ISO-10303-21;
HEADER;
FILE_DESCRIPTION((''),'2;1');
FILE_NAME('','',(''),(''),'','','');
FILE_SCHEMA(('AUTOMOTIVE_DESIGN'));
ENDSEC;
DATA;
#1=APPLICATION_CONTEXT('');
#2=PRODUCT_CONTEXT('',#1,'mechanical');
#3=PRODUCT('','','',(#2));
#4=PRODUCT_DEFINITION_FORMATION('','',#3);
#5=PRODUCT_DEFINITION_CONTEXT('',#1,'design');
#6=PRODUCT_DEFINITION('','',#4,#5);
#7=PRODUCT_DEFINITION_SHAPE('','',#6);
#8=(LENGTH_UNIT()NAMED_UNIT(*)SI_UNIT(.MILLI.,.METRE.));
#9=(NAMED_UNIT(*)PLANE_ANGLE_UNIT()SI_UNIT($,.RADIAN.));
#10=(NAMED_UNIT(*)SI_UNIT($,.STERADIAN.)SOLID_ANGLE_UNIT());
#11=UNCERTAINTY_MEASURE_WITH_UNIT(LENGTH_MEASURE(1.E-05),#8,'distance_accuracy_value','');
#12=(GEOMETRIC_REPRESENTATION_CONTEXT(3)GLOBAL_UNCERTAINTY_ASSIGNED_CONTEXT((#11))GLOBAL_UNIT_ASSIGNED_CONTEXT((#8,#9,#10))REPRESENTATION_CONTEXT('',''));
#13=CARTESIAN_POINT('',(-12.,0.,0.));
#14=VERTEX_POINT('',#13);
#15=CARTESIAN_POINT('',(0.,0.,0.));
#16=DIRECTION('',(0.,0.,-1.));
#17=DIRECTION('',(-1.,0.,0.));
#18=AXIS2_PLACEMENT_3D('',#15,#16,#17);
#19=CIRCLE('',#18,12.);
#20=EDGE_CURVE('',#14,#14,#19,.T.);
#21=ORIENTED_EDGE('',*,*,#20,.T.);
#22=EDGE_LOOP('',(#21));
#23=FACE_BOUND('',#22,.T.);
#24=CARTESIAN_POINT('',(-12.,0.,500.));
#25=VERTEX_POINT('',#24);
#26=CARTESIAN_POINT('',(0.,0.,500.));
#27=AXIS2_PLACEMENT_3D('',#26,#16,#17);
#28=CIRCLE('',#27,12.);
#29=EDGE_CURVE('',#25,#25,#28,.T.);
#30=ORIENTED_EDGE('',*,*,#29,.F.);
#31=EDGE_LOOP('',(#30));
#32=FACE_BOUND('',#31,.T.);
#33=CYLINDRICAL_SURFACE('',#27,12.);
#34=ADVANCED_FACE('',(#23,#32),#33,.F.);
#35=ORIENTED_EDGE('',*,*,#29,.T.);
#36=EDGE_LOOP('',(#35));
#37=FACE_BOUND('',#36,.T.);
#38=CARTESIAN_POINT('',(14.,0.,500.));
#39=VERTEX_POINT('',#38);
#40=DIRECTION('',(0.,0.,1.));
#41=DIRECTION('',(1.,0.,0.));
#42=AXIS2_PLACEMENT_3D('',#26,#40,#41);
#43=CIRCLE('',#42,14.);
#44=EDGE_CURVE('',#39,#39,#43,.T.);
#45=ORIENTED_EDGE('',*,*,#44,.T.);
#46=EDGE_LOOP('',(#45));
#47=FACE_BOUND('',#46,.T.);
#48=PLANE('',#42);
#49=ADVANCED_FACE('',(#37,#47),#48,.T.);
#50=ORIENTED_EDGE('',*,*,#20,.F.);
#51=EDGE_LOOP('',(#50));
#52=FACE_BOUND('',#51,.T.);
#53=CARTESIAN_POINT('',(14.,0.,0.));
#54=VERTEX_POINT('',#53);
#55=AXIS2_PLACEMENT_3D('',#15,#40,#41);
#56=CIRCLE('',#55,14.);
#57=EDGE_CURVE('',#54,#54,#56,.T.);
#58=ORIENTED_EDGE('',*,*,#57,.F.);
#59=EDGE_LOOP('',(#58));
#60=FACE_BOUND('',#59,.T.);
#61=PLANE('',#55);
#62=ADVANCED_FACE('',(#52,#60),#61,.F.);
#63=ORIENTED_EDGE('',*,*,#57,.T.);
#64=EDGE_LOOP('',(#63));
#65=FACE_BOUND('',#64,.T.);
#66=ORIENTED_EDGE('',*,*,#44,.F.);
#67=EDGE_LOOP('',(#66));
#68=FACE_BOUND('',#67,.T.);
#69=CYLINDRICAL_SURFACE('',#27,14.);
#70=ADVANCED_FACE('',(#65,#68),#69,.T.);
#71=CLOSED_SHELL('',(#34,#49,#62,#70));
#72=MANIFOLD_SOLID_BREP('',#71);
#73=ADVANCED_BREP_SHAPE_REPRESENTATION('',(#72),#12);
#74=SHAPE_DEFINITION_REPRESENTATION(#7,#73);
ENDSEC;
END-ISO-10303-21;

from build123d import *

# Parameters (mm, degrees)
SKETCH_1_R          = 14
EXTRUDE_1_DEPTH     = 500
SKETCH_2_R          = 12
CUT_EXTRUDE_1_DEPTH = 501


with BuildPart() as part:
    # Эскиз1 → Бобышка-Вытянуть1 (new body)
    with BuildSketch(Plane.XY):
        Circle(SKETCH_1_R)
    extrude(amount=EXTRUDE_1_DEPTH)

    # Эскиз2 → Вырез-Вытянуть1 (cut, through all)
    with BuildSketch(Plane(origin=(0, 0, 0), x_dir=(-1, 0, 0), z_dir=(0, 0, -1))):
        Circle(SKETCH_2_R)
    extrude(amount=-CUT_EXTRUDE_1_DEPTH, mode=Mode.SUBTRACT)


solid = part.part
